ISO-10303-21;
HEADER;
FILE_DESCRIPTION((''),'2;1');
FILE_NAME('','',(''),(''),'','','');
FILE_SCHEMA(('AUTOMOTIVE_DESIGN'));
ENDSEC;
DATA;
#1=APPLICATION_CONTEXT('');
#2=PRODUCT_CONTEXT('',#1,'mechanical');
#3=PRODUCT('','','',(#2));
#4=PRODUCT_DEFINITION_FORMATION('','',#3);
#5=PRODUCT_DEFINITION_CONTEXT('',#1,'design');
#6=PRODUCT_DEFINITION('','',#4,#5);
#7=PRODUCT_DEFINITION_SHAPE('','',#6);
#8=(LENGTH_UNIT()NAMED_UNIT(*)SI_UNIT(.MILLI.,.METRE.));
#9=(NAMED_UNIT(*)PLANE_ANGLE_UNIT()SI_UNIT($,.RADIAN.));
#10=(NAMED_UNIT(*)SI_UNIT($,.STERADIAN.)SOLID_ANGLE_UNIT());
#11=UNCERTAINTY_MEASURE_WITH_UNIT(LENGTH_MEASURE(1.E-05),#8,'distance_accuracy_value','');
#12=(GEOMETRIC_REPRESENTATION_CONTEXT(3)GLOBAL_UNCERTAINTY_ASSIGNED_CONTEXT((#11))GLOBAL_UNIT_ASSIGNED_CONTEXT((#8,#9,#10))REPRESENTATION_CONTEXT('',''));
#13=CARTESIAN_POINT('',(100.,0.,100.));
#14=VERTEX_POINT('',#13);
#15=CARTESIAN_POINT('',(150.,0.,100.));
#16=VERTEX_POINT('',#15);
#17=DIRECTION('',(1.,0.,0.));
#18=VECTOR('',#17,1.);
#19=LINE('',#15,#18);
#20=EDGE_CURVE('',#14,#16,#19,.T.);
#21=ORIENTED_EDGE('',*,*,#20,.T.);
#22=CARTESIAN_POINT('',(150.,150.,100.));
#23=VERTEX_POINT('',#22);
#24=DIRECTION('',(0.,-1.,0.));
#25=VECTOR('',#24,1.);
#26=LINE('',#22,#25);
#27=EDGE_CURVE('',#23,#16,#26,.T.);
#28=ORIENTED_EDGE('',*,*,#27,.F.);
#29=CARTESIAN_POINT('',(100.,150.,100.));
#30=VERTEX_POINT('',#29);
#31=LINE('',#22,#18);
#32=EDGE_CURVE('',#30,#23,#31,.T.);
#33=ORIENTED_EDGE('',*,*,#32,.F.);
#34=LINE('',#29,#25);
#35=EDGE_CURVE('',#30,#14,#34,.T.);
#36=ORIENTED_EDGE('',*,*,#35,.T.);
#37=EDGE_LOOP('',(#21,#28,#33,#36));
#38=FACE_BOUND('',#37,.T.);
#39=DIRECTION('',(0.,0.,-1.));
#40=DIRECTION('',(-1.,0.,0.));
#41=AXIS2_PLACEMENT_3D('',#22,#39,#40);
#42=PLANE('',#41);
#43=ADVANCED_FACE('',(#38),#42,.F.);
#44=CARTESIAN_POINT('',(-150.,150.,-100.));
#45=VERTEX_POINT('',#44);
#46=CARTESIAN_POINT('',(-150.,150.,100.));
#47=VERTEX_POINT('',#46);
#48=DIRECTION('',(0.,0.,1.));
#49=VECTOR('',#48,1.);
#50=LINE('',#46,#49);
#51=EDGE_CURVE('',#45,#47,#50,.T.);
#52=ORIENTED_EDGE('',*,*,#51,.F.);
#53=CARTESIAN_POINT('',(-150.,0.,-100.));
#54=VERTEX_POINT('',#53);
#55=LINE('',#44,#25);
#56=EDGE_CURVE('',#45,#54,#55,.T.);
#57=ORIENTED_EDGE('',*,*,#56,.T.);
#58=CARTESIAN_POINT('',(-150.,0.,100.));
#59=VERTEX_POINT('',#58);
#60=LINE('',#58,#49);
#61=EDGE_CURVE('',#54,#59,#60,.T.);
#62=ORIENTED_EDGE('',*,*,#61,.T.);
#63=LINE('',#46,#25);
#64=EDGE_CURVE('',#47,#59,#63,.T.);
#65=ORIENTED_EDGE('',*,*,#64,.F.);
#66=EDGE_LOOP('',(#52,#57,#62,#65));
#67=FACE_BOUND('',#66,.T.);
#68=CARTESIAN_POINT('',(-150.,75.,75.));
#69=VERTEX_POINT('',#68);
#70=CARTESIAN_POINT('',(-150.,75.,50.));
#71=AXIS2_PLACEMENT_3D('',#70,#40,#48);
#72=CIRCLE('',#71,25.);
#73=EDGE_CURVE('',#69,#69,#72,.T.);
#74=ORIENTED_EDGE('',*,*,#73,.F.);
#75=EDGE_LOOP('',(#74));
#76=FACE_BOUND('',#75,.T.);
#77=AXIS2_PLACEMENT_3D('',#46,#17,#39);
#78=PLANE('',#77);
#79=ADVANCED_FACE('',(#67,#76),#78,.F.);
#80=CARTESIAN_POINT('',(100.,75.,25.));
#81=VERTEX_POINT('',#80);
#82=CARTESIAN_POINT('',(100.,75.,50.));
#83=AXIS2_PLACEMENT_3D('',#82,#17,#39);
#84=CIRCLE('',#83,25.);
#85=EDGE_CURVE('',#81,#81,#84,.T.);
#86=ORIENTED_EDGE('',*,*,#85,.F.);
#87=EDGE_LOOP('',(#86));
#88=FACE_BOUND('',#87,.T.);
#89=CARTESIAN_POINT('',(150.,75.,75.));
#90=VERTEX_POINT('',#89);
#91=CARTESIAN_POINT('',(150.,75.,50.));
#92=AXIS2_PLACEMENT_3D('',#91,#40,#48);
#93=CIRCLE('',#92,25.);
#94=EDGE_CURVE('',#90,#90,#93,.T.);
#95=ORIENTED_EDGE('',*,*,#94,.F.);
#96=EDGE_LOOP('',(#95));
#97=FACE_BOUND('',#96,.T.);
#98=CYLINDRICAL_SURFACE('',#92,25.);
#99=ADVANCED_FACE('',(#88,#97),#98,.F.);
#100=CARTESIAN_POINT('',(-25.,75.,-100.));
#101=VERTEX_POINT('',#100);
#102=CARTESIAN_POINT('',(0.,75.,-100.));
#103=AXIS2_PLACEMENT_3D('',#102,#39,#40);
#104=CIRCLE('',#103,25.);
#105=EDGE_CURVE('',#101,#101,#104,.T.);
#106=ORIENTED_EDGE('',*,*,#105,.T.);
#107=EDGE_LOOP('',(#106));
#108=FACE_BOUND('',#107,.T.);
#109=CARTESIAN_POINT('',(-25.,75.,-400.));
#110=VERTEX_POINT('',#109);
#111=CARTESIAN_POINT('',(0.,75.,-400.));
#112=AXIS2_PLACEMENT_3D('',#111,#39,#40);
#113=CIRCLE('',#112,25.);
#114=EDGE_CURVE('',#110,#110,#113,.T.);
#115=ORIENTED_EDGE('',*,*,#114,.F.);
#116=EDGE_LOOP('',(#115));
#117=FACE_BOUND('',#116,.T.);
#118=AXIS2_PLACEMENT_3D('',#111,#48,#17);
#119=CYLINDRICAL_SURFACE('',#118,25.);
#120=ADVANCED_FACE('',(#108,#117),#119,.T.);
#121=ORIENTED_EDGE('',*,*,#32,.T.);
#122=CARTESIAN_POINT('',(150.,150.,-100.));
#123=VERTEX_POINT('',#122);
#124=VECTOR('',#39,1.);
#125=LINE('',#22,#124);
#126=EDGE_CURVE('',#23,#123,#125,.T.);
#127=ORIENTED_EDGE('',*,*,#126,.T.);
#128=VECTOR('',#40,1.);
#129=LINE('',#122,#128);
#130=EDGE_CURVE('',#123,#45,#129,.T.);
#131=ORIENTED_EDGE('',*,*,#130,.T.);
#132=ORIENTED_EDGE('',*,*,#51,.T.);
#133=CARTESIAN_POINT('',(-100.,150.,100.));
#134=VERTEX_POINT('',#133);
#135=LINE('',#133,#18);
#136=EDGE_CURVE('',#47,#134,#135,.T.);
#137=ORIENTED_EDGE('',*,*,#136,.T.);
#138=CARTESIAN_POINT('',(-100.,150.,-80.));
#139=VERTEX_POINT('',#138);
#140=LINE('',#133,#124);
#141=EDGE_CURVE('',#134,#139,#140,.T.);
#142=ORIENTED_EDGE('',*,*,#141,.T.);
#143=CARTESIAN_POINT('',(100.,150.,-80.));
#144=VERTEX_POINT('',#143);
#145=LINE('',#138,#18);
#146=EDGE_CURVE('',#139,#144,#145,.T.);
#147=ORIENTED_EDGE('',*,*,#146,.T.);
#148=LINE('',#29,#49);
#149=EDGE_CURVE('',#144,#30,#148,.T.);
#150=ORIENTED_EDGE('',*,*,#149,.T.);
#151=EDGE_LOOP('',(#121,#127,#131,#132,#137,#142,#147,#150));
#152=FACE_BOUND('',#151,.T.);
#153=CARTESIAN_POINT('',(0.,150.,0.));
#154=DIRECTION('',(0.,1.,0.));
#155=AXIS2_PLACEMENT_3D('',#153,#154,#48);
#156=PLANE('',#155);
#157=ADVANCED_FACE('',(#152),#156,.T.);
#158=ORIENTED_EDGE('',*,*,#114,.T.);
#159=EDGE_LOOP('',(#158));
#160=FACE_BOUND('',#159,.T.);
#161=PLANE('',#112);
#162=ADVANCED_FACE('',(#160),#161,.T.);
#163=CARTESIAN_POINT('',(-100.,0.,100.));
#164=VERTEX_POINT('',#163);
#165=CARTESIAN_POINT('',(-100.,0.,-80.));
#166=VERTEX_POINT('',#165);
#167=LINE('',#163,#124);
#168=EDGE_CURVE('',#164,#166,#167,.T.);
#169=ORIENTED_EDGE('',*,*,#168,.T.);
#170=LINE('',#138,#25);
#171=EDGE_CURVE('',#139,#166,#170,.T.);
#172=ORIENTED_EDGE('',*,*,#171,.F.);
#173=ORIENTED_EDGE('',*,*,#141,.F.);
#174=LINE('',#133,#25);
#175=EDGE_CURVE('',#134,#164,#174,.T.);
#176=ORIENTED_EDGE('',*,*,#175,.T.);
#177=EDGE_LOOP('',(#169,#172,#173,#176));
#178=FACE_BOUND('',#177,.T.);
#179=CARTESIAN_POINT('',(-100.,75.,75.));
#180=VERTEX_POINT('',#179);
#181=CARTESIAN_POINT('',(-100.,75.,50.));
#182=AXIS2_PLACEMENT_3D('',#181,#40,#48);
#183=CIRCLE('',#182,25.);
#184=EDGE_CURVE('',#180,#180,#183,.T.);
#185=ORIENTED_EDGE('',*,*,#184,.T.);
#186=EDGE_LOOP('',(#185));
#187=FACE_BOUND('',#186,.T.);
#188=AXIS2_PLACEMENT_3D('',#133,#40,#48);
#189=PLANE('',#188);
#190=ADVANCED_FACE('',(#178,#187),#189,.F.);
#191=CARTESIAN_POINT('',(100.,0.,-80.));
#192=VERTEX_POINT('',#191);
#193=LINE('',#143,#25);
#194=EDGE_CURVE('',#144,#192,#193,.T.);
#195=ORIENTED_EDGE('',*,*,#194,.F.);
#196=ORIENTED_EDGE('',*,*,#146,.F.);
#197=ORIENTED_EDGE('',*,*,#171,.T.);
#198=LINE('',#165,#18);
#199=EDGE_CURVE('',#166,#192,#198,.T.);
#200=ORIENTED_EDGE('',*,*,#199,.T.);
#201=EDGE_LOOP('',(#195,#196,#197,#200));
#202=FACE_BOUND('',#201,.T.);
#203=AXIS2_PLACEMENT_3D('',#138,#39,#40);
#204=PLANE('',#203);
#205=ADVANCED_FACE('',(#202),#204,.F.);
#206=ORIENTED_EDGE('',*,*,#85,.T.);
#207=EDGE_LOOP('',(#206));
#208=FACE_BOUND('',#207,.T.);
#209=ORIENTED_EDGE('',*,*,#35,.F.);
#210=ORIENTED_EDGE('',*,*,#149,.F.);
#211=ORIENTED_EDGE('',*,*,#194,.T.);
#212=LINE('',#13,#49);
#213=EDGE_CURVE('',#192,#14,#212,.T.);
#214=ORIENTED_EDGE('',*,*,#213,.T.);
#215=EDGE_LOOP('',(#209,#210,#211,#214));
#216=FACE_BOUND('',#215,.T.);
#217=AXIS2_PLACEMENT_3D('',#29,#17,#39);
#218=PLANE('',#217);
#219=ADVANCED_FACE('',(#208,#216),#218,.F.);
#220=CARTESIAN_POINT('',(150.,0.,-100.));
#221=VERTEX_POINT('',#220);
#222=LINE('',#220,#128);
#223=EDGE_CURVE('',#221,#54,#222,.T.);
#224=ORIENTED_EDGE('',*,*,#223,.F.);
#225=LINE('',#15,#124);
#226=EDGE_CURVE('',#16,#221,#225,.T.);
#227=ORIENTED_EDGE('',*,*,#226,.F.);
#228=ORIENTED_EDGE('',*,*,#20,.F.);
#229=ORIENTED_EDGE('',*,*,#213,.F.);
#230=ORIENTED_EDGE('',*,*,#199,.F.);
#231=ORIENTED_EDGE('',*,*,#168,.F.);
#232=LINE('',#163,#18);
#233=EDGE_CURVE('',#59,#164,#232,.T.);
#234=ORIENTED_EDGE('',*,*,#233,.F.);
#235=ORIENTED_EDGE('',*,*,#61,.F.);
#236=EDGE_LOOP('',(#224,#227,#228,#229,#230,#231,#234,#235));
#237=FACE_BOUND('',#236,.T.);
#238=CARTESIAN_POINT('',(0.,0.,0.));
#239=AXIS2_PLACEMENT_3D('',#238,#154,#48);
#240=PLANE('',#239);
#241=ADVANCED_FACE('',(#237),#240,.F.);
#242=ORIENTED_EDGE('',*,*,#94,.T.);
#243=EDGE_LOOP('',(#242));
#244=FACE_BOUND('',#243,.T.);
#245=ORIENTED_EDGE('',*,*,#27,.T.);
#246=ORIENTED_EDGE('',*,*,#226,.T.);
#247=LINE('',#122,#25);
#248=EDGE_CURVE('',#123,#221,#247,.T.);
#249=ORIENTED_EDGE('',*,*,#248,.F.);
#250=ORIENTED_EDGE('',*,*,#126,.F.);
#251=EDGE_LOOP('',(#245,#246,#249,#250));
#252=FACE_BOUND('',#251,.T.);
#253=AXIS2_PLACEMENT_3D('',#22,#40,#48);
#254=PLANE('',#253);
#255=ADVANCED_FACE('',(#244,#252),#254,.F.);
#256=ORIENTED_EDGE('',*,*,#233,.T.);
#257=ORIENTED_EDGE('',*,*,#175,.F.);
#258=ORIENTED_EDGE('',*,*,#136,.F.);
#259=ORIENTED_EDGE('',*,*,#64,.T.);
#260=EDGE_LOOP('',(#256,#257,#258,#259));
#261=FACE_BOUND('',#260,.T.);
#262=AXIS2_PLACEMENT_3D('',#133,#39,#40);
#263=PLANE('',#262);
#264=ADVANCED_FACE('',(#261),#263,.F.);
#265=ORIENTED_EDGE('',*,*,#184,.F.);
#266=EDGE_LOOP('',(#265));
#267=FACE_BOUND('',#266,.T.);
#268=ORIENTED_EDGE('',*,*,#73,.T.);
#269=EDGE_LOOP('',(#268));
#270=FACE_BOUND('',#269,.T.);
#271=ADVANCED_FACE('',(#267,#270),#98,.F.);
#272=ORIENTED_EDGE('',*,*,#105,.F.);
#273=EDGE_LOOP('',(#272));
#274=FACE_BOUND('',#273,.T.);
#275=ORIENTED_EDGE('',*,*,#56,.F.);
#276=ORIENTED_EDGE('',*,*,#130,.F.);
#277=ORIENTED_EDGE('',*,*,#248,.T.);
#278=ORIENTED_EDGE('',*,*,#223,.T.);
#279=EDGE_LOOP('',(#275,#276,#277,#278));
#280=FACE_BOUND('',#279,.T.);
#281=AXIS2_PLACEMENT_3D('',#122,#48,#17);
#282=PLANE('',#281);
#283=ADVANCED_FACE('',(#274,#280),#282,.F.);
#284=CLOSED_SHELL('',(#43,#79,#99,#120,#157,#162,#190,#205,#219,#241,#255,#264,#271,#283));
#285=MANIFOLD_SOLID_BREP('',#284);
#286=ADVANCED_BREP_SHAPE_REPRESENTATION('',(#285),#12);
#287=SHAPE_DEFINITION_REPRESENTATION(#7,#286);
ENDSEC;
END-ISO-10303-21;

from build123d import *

# Parameters (mm, degrees)
EXTRUDE_1_DEPTH     = 150
SKETCH_2_R          = 25
EXTRUDE_2_DEPTH     = 300
SKETCH_3_R          = 25
CUT_EXTRUDE_1_DEPTH = 300


with BuildPart() as part:
    # 스케치1 → 보스-돌출1 (new body)
    with BuildSketch(Plane(origin=(0, 0, 0), x_dir=(1, 0, 0), z_dir=(0, 1, 0))):
        Polygon((-100, -100), (-150, -100), (-150, 100), (150, 100), (150, -100), (100, -100), (100, 80), (-100, 80), align=None)
    extrude(amount=EXTRUDE_1_DEPTH)

    # 스케치2 → 보스-돌출2 (add)
    with BuildSketch(Plane(origin=(0, 0, -100), x_dir=(-1, 0, 0), z_dir=(0, 0, -1))):
        with Locations((0, 75)):
            Circle(SKETCH_2_R)
    extrude(amount=EXTRUDE_2_DEPTH)

    # 스케치3 → 컷-돌출1 (cut)
    with BuildSketch(Plane.ZY.offset(150)):
        with Locations((50, 75)):
            Circle(SKETCH_3_R)
    extrude(amount=-CUT_EXTRUDE_1_DEPTH, mode=Mode.SUBTRACT)


solid = part.part
